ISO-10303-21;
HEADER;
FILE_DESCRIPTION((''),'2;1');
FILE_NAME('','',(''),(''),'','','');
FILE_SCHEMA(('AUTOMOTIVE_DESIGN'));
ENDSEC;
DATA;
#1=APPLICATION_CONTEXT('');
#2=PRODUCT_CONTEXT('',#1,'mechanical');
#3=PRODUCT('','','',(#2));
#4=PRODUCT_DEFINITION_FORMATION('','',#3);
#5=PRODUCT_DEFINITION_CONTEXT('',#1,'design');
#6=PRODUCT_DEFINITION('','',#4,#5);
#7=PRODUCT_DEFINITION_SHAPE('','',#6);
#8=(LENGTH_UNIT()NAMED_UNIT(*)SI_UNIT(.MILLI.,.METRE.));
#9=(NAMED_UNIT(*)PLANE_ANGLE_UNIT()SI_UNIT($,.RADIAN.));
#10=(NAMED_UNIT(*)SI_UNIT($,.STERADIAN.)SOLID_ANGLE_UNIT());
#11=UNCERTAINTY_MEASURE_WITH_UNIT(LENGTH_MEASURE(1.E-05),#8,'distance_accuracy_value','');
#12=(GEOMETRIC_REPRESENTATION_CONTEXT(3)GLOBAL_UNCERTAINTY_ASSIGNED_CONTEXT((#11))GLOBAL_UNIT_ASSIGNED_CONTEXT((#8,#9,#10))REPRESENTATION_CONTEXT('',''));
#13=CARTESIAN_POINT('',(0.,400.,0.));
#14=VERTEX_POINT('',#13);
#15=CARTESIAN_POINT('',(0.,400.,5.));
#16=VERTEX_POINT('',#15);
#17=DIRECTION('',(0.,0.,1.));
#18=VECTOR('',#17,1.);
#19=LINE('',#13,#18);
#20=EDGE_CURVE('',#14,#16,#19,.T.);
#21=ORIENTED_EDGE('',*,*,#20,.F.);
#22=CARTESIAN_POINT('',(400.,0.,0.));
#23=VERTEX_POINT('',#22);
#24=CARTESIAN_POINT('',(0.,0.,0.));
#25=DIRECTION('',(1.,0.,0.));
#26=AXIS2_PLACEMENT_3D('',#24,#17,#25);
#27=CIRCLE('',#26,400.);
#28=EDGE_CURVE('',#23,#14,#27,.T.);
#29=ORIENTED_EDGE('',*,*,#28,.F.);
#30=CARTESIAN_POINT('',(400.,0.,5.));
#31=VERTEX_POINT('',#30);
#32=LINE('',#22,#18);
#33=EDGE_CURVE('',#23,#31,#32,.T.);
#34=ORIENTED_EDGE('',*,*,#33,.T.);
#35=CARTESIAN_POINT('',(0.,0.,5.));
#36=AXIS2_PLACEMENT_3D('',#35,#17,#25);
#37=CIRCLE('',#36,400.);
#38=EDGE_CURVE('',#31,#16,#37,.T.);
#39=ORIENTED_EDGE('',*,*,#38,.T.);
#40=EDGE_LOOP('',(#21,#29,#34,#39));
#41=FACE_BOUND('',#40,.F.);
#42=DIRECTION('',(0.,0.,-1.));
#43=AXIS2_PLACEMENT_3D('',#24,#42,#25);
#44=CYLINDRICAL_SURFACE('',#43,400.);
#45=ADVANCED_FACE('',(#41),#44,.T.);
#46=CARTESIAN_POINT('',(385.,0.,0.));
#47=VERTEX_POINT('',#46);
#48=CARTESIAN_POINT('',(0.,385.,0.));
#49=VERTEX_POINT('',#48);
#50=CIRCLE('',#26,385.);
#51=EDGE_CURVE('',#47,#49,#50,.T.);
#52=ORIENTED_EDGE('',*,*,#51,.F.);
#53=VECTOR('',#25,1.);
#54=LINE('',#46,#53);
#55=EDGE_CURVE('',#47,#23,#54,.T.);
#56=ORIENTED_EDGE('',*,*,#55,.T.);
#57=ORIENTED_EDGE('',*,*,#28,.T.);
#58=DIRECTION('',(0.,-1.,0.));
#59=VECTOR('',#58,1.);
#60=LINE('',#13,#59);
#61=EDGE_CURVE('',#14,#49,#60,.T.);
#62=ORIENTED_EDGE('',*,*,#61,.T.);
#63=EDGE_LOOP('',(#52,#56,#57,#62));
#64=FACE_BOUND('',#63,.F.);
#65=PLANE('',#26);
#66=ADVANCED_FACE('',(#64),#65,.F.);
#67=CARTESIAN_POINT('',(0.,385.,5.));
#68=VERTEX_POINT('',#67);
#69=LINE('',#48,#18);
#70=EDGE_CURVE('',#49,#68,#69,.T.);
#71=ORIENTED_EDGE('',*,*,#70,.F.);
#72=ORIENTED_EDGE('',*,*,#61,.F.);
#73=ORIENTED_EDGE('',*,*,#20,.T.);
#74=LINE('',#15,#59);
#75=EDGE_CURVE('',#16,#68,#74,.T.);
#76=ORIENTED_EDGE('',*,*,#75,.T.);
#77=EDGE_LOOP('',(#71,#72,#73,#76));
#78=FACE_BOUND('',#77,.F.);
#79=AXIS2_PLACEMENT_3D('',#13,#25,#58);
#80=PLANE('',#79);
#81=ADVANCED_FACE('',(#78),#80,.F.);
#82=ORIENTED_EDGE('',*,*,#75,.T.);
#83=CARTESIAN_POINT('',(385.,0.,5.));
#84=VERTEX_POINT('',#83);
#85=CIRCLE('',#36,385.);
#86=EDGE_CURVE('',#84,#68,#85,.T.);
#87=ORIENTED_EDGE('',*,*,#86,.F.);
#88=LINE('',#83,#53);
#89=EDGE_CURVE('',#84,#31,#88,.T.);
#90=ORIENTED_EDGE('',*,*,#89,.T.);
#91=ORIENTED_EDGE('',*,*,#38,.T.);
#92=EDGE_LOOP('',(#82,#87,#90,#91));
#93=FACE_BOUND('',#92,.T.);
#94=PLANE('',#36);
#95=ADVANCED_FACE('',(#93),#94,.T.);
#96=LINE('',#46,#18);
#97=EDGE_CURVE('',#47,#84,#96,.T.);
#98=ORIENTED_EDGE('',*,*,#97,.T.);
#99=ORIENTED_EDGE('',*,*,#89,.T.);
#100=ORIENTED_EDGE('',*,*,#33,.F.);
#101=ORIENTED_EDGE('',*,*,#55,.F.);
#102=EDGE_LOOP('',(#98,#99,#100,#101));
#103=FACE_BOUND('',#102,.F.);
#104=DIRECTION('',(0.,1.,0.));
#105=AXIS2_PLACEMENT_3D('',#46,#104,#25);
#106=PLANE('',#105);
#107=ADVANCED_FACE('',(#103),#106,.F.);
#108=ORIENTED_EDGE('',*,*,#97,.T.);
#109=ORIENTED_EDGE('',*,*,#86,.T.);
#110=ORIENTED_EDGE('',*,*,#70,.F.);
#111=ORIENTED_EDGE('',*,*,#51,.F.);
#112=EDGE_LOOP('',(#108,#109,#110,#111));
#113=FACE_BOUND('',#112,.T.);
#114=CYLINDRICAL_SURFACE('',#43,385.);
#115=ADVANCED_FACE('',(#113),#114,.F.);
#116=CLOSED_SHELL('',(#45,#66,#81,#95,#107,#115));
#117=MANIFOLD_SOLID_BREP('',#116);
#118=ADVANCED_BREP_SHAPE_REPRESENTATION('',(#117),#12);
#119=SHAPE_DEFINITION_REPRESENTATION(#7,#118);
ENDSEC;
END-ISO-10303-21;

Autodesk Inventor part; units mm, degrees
ref_plane "YZ Plane" through (0, 0, 0) normal (1, 0, 0) x (0, 1, 0)
ref_plane "XZ Plane" through (0, 0, 0) normal (0, 1, 0) x (-1, 0, 0)
ref_plane "XY Plane" through (0, 0, 0) normal (0, 0, 1) x (1, 0, 0)
sketch "Sketch1" plane through (0, 0, 0) normal (0, 0, 1) x (1, 0, 0)
  arc A0 (400, 0) -> (0, 400) centre (0, 0) ccw
  arc A1 (385, 0) -> (0, 385) centre (0, 0) ccw
  line L0 (0, 400) -> (0, 385)
  line L1 (385, 0) -> (400, 0)
  dimension "d0" = 800
  dimension "d1" = 770
extrude "Extrusion1" add sketch "Sketch1" along normal blind 5
properties part number "curved_line_big"
